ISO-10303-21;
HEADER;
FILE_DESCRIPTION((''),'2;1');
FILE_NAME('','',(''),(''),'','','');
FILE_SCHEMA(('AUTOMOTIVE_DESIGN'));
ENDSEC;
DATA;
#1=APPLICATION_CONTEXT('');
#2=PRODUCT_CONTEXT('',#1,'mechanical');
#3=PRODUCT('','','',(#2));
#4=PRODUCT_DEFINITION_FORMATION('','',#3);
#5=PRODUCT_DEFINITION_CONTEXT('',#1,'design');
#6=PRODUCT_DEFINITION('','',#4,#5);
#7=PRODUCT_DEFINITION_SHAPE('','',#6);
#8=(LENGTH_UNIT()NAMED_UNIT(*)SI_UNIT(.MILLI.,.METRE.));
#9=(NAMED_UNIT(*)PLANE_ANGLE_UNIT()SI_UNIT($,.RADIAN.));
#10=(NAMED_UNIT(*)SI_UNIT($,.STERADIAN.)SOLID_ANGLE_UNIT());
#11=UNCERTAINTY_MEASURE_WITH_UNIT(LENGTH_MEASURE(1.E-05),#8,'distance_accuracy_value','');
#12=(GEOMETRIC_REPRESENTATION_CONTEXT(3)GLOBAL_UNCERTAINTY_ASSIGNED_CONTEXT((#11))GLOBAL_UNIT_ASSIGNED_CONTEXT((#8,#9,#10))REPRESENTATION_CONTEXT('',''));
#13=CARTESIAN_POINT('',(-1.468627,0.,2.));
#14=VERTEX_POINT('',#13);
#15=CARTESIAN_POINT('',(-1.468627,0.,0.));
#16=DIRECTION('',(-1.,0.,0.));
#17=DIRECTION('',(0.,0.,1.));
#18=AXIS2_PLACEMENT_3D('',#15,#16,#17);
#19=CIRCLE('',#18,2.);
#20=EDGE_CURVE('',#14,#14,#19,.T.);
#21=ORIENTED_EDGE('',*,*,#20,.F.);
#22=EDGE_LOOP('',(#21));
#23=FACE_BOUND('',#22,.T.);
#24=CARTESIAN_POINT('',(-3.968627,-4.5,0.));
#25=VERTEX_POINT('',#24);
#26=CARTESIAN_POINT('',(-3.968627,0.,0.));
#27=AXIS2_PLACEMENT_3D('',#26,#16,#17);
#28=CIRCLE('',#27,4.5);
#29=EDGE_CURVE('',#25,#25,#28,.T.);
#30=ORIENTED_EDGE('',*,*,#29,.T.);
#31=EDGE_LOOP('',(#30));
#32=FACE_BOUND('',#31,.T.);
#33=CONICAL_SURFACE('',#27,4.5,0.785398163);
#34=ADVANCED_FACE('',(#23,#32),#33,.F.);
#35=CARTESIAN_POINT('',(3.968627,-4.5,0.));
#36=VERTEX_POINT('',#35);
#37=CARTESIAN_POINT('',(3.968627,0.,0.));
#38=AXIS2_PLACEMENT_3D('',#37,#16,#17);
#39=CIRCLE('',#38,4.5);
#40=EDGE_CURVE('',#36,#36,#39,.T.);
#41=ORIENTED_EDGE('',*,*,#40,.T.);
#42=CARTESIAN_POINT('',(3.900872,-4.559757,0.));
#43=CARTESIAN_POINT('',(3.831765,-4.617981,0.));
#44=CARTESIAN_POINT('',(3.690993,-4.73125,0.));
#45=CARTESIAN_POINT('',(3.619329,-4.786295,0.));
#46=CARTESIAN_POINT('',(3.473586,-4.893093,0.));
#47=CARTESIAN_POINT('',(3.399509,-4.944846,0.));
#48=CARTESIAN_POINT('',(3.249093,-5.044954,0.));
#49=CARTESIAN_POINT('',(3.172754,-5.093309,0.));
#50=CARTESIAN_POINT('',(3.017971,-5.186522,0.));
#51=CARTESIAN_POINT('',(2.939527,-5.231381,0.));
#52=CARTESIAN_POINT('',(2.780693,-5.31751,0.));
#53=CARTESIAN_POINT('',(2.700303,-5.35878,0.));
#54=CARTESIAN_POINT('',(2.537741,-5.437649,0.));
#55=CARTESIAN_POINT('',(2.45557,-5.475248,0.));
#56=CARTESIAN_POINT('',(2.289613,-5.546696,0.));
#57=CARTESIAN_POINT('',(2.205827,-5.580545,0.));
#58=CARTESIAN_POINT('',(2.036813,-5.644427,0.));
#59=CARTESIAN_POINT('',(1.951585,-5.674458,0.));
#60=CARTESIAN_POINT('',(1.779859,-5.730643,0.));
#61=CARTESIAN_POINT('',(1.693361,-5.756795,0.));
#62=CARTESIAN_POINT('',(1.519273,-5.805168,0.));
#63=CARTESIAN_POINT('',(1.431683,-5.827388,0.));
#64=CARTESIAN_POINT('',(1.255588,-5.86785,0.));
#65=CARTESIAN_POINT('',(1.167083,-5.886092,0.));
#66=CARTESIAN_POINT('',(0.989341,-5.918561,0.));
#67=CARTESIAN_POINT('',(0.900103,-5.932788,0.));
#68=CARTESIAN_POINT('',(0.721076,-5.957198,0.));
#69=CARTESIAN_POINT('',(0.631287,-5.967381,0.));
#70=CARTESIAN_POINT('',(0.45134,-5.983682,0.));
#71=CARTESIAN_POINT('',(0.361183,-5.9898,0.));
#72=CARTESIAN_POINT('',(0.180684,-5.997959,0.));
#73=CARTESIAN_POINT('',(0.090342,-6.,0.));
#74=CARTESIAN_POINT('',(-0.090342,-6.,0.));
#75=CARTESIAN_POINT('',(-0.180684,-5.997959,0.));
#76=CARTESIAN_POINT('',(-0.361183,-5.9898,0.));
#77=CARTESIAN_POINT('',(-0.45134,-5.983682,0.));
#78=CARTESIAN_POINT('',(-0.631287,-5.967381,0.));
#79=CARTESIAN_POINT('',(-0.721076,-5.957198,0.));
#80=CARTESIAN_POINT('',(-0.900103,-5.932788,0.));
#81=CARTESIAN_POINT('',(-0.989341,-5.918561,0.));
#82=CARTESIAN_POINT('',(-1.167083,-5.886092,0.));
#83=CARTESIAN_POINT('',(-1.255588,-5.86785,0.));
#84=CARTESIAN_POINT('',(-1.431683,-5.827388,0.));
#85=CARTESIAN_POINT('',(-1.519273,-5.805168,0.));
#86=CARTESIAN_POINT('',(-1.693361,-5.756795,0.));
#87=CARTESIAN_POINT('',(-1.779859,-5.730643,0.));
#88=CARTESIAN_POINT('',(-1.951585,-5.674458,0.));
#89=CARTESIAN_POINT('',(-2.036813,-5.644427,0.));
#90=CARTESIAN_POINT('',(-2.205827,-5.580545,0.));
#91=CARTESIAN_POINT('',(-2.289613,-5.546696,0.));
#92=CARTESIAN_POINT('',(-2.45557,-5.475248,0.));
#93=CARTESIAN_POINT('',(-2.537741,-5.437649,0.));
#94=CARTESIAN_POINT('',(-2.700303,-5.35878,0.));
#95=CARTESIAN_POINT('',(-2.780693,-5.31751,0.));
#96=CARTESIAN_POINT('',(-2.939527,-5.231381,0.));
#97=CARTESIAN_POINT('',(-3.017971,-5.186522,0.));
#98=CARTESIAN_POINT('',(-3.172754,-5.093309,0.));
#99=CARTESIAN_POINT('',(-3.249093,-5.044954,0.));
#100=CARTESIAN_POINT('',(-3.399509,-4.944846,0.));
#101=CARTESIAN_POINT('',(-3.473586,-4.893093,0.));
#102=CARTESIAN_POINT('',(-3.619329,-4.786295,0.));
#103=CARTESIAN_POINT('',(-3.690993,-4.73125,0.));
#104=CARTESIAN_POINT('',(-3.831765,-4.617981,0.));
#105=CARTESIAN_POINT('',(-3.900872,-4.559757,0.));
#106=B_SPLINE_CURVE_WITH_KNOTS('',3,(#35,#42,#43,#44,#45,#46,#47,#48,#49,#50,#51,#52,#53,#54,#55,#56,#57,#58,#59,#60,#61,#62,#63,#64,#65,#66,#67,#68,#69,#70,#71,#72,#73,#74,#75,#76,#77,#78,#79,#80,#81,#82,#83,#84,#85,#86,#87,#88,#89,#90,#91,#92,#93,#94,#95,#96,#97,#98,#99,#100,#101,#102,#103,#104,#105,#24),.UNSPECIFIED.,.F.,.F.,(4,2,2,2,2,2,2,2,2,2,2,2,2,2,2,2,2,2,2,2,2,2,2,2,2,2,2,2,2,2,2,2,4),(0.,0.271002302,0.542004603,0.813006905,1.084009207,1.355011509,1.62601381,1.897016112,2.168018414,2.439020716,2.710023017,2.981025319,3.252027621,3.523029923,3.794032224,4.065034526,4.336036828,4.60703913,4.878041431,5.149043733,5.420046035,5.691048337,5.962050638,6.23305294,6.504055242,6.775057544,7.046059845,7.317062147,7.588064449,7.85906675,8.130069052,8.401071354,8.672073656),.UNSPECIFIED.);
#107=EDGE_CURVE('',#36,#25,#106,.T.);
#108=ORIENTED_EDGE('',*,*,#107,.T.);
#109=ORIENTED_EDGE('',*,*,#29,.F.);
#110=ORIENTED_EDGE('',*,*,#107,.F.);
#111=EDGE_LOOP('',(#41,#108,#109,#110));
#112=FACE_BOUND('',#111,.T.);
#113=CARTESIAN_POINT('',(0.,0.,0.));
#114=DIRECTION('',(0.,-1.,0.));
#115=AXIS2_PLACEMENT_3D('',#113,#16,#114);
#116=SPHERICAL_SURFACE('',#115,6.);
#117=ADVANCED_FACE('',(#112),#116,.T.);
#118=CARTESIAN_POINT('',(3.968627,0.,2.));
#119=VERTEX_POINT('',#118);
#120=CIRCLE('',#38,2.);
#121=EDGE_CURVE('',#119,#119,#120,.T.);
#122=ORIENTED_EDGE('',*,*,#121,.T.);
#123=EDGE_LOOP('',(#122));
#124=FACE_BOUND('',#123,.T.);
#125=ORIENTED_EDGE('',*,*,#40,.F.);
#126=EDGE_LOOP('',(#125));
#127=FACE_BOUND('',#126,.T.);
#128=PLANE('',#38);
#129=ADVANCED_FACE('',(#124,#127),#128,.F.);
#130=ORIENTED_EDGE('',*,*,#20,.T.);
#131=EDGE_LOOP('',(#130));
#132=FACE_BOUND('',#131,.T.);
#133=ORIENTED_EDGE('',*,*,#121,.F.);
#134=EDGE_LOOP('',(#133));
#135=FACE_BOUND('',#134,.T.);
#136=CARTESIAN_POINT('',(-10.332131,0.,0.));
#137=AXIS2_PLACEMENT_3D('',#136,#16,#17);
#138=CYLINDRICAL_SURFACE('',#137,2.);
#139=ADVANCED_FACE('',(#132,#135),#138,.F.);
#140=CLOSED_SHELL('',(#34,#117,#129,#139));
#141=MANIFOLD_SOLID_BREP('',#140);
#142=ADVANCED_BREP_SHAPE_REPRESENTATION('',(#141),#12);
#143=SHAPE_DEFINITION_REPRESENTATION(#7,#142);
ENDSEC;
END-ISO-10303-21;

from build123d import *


with BuildPart() as part:
    # Sketch2 → Revolve1 (revolve)
    with BuildSketch(Plane.XY, mode=Mode.PRIVATE) as revolve1_sk:
        with BuildLine():
            Line((3.968626967, -2), (-1.468626967, -2))
            Line((-1.468626967, -2), (-2.968626967, -3.5))
            Line((-2.968626967, -3.5), (-3.968626967, -4.5))
            ThreePointArc((-3.968626967, -4.5), (0, -6), (3.968626967, -4.5))
            Line((3.968626967, -4.5), (3.968626967, -2))
        make_face()
    revolve(revolve1_sk.sketch.rotate(Axis((-10.332130717, 0, 0), (1, 0, 0)), 270), axis=Axis((-10.332130717, 0, 0), (1, 0, 0)))


solid = part.part
